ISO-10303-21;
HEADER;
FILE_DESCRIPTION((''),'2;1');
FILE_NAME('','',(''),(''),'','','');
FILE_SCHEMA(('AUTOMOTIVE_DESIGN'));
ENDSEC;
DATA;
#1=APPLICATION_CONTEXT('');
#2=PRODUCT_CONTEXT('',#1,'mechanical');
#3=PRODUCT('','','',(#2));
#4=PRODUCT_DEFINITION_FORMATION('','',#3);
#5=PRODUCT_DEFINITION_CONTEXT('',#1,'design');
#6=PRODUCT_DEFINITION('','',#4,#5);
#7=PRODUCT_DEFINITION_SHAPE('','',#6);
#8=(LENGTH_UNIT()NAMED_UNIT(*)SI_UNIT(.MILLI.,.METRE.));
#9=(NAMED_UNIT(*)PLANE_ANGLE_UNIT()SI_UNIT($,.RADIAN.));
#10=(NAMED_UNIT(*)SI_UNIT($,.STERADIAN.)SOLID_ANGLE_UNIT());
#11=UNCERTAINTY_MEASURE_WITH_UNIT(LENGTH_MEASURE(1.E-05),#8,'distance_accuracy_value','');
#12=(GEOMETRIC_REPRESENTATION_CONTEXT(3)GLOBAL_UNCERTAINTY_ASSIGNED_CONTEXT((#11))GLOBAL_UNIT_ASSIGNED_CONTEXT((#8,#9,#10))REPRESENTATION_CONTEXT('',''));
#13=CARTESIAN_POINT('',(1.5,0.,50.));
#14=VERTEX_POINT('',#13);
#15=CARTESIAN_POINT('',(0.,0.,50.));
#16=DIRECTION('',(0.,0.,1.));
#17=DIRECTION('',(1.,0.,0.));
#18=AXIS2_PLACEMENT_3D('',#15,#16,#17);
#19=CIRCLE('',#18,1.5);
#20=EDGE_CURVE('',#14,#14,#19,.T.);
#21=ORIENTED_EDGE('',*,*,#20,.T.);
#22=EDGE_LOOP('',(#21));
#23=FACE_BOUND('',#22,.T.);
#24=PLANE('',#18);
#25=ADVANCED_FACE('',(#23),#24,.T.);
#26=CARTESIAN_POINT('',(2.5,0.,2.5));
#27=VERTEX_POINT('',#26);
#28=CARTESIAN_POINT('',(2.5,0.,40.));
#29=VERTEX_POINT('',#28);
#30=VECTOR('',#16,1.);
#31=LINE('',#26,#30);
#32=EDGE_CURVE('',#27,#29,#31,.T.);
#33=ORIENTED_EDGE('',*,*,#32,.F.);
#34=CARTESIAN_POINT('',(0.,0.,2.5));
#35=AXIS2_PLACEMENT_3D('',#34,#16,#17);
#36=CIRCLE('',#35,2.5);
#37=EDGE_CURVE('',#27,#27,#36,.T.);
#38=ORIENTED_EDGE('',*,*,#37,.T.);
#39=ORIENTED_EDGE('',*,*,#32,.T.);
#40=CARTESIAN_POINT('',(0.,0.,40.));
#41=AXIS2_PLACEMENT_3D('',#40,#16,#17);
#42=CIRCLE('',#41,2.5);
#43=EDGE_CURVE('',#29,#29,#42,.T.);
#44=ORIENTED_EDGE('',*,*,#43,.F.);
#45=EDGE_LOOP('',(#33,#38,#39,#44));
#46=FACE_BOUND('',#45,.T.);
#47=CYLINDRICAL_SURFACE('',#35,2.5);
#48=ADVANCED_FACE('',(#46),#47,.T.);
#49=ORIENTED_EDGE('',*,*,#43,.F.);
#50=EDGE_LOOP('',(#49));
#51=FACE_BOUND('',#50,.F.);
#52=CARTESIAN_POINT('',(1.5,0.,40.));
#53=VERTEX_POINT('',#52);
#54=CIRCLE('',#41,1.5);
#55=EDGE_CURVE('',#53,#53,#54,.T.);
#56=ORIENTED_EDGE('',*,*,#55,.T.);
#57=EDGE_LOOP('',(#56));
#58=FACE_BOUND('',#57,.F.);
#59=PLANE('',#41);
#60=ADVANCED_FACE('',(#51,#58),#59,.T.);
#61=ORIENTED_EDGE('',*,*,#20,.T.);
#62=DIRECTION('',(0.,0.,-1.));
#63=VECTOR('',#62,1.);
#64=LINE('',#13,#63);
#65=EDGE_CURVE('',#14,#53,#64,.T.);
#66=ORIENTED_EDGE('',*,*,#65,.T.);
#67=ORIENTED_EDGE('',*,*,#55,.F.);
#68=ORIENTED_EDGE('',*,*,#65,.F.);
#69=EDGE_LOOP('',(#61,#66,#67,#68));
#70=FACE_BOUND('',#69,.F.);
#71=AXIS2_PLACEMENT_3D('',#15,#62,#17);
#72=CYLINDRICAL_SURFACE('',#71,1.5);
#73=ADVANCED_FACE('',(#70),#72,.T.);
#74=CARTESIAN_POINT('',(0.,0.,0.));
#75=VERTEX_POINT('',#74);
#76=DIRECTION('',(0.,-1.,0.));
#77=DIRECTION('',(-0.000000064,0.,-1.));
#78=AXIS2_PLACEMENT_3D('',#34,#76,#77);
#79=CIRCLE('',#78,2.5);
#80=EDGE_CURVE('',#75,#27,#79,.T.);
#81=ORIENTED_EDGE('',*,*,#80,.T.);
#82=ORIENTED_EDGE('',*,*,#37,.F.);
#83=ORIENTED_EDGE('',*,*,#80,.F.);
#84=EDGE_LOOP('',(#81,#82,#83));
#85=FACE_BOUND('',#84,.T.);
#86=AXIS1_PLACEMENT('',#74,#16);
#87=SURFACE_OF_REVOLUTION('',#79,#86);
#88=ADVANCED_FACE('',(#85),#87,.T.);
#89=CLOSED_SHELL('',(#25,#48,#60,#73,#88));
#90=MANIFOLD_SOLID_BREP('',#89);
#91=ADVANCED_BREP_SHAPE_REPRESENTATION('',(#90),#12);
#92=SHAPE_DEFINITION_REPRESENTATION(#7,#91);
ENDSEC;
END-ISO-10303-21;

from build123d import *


with BuildPart() as part:
    # Sketch → Revolution (revolve)
    with BuildSketch(Plane.XZ):
        with BuildLine():
            Line((0, 50), (0, 0))
            ThreePointArc((0, 0), (1.767767, 0.732233), (2.5, 2.5))
            Line((2.5, 2.5), (2.5, 40))
            Line((1.5, 40), (2.5, 40))
            Line((1.5, 50), (1.5, 40))
            Line((1.5, 50), (0, 50))
        make_face()
    revolve(axis=Axis((0, 0, 0), (0, 0, 1)))


solid = part.part
